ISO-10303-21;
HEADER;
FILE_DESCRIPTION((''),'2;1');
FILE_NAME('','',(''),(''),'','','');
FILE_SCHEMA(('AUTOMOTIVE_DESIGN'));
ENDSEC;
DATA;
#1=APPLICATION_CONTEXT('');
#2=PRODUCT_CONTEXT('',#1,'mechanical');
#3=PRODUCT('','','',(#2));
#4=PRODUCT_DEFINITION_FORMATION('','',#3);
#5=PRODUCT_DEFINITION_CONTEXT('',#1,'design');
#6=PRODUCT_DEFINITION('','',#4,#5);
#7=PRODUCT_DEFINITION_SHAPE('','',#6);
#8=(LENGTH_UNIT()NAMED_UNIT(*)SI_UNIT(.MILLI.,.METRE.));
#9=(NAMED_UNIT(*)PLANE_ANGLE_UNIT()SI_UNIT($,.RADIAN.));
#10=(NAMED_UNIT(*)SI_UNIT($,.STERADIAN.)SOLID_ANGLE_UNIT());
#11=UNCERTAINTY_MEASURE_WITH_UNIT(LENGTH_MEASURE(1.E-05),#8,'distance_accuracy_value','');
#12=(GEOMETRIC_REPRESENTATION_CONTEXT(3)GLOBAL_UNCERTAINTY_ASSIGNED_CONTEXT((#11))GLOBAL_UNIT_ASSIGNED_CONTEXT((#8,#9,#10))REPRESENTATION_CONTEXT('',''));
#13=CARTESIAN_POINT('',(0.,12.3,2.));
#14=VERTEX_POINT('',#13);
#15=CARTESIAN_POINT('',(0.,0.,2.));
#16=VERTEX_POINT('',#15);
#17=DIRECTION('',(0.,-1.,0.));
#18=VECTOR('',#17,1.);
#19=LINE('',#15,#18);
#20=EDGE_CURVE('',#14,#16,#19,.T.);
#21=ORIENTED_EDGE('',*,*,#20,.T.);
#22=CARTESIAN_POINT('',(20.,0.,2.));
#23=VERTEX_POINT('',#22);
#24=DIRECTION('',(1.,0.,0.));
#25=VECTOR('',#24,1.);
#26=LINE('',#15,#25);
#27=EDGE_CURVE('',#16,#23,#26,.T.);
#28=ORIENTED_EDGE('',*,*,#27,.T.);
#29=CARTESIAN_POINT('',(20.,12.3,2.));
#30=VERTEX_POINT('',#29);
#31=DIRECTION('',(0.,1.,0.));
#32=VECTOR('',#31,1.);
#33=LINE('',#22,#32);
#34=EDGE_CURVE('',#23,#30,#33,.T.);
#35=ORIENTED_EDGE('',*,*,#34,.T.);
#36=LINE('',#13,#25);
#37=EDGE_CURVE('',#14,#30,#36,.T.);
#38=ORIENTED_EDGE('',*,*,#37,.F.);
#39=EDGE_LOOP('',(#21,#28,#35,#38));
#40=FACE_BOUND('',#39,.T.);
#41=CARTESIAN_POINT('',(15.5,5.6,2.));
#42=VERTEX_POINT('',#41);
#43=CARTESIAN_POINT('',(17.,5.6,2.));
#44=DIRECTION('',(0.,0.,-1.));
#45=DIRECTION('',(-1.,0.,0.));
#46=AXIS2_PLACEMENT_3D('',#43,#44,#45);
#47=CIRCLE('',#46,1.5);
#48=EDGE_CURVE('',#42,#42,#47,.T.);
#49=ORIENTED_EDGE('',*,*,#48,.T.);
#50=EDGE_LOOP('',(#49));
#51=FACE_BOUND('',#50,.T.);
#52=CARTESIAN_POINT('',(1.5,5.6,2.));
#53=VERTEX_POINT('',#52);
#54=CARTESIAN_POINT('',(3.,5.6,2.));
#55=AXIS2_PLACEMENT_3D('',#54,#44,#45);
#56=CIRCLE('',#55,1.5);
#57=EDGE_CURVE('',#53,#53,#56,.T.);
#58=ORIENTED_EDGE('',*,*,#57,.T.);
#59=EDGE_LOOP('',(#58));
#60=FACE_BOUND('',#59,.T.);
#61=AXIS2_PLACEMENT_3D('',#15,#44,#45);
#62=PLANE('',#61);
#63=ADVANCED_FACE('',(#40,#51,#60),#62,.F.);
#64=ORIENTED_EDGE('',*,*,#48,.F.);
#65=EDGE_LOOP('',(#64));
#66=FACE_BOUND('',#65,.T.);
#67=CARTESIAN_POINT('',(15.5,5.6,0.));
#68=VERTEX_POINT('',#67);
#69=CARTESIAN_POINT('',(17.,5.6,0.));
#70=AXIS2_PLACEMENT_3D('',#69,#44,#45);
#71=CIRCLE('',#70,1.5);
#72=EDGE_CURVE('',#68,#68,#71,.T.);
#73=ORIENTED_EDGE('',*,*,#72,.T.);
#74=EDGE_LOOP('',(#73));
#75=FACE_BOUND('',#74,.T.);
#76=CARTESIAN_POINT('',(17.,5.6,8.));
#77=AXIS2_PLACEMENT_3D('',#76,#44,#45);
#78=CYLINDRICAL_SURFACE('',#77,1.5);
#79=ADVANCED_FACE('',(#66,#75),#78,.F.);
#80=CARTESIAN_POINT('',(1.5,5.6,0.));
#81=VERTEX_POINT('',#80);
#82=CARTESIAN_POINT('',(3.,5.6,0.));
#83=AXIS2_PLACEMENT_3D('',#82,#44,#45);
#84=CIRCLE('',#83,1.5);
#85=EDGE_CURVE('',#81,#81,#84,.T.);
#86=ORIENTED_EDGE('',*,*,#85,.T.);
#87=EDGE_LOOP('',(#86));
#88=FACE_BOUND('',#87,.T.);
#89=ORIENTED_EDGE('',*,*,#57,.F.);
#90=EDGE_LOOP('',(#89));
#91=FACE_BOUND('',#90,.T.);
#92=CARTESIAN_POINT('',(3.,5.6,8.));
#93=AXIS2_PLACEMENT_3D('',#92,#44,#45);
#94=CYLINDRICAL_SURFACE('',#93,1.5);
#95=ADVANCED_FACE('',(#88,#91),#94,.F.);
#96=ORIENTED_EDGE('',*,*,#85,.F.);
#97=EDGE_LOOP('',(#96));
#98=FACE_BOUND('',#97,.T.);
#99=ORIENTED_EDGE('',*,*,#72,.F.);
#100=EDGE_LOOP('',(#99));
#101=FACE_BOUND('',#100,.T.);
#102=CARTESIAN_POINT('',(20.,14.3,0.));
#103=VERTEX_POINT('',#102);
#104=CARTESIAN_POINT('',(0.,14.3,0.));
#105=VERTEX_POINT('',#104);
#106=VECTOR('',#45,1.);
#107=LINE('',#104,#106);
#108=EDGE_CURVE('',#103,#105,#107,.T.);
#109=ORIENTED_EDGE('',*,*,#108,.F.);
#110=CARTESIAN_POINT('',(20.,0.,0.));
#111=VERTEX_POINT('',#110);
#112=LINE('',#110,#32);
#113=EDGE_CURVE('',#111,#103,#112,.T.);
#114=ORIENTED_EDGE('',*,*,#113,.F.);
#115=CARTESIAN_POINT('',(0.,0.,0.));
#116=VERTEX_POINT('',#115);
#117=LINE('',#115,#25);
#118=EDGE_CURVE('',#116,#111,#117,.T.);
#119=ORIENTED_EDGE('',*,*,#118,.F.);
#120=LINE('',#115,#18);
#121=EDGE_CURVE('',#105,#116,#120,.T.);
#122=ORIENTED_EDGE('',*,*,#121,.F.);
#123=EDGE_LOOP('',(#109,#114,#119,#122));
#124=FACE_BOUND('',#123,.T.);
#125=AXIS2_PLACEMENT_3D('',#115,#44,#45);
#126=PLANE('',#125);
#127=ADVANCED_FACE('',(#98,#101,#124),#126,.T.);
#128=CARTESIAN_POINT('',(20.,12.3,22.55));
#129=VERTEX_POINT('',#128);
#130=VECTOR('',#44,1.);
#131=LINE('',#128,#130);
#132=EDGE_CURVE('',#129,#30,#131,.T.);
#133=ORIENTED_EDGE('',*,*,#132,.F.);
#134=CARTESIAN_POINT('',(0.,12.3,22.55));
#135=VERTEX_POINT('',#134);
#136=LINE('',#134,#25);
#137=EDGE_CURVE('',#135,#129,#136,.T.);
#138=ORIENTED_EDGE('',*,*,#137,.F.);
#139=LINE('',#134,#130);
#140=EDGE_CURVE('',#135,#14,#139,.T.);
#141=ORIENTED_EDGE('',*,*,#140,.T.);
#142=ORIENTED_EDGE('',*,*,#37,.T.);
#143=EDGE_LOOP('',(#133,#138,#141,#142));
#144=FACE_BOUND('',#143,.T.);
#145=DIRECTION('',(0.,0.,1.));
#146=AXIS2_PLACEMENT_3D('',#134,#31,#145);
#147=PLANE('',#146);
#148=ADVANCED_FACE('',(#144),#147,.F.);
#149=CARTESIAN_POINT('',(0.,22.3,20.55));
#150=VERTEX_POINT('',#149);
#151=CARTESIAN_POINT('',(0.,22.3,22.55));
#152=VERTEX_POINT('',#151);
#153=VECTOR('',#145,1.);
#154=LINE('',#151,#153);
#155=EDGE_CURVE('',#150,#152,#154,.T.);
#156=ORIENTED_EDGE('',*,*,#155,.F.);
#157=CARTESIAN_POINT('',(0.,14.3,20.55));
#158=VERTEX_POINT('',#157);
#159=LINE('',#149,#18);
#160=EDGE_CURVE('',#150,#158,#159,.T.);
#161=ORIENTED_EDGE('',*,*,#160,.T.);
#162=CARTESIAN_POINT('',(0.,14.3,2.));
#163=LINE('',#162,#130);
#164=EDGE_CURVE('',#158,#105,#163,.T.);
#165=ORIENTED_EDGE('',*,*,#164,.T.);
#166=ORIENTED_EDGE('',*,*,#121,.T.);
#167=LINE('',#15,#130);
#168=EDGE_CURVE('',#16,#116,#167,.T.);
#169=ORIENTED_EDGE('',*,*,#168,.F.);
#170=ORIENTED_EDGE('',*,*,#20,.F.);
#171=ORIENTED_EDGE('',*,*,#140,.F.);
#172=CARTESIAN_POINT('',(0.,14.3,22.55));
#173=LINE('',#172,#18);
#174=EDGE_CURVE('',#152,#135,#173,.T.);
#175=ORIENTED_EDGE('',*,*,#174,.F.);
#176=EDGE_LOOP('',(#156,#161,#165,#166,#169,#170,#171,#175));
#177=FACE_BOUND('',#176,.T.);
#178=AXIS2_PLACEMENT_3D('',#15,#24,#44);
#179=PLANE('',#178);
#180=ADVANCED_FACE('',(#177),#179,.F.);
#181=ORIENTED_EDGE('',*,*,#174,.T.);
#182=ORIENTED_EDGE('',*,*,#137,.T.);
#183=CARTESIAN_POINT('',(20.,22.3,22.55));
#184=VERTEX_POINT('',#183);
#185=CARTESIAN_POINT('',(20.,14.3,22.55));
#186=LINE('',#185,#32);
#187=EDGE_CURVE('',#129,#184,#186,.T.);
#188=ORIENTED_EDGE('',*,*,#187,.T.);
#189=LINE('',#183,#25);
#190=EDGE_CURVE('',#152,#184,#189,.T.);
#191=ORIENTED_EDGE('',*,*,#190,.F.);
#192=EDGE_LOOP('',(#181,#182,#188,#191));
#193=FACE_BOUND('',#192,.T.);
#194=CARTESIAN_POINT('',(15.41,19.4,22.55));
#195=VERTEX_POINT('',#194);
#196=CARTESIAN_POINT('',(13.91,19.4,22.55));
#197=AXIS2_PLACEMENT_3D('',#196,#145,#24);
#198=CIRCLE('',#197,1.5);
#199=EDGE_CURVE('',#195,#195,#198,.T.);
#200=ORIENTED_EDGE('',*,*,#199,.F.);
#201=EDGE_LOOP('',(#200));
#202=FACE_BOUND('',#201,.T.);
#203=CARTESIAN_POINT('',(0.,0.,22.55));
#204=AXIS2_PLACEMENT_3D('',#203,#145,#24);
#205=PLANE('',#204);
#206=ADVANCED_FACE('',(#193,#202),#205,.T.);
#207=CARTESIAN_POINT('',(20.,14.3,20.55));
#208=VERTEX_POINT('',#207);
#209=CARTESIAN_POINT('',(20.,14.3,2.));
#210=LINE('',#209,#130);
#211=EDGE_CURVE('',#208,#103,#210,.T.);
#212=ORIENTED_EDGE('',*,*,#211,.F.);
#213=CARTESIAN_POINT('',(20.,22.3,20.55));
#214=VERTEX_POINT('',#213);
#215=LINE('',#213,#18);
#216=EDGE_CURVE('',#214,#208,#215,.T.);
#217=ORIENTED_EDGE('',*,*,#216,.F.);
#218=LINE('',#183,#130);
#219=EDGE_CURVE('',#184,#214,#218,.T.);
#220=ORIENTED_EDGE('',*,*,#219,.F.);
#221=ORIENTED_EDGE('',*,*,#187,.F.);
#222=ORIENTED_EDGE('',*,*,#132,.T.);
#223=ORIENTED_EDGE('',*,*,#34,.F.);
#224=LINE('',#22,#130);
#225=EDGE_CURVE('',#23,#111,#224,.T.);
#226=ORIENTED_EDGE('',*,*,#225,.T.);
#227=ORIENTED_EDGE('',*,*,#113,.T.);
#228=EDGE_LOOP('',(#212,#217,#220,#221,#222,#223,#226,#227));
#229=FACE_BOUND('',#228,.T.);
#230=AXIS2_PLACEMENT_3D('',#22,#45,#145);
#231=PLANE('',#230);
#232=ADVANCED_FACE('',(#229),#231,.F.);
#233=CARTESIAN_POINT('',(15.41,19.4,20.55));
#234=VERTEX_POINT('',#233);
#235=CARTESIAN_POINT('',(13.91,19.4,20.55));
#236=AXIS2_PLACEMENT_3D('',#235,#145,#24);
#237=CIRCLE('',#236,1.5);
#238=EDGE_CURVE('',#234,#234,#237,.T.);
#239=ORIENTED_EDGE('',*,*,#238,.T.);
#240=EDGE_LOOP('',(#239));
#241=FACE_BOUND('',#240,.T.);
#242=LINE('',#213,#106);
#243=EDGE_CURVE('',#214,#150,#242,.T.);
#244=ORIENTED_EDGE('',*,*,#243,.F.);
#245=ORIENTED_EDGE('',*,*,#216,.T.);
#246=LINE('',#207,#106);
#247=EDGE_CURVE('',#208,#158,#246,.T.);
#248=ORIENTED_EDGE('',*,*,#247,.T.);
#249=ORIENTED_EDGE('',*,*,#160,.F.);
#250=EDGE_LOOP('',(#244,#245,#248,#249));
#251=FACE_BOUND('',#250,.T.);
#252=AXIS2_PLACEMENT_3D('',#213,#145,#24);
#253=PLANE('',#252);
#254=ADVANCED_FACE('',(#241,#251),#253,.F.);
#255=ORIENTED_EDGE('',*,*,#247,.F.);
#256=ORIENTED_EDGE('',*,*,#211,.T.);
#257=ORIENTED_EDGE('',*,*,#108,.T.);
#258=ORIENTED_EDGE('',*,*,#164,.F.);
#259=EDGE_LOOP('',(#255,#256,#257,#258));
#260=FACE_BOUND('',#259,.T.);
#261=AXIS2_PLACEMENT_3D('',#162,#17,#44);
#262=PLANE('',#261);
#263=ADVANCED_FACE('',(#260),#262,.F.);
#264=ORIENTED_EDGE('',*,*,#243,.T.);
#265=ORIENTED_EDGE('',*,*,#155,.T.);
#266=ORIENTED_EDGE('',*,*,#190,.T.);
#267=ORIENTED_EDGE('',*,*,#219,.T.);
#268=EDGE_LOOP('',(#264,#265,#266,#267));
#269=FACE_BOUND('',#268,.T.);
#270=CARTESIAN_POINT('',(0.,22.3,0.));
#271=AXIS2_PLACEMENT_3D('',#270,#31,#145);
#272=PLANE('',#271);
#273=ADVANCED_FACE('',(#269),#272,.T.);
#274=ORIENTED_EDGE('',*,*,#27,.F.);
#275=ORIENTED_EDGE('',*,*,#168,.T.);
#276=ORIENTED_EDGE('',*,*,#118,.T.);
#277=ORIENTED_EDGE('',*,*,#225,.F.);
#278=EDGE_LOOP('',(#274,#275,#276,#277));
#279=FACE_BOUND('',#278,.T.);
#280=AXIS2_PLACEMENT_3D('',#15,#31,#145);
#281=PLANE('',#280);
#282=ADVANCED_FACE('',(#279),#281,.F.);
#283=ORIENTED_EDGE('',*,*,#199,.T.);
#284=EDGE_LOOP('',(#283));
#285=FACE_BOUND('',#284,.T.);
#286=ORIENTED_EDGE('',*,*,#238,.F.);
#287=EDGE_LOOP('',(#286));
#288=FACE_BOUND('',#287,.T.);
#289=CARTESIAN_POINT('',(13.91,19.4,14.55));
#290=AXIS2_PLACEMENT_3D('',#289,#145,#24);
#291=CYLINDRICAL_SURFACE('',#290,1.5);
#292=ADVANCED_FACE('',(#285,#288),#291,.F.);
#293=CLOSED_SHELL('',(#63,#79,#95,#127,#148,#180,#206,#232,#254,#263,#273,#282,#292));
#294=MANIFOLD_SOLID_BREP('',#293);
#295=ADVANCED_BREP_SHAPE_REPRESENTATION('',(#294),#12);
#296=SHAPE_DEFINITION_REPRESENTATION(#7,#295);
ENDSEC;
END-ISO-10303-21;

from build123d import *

# Parameters (mm, degrees)
ESQUISSE1_W             = 20
ESQUISSE1_H             = 14.3
BOSS_EXTRU_1_DEPTH      = 2
ESQUISSE2_W             = 20
ESQUISSE2_H             = 2
BOSS_EXTRU_2_DEPTH      = 20.55
ESQUISSE3_W             = 20
ESQUISSE3_H             = 2
BOSS_EXTRU_3_DEPTH      = 8
ESQUISSE4_R             = 1.5
ENL_V_MAT_EXTRU_2_DEPTH = 8
ESQUISSE5_R             = 1.5
ENL_V_MAT_EXTRU_3_DEPTH = 8


with BuildPart() as part:
    # Esquisse1 → Boss.-Extru.1 (new body)
    with BuildSketch(Plane.XY):
        with Locations((10, 7.15)):
            Rectangle(ESQUISSE1_W, ESQUISSE1_H)
    extrude(amount=BOSS_EXTRU_1_DEPTH)

    # Esquisse2 → Boss.-Extru.2 (add)
    with BuildSketch(Plane.XY.offset(2)):
        with Locations((10, 13.3)):
            Rectangle(ESQUISSE2_W, ESQUISSE2_H)
    extrude(amount=BOSS_EXTRU_2_DEPTH)

    # Esquisse3 → Boss.-Extru.3 (add)
    with BuildSketch(Plane(origin=(0, 14.3, 0), x_dir=(1, 0, 0), z_dir=(0, 1, 0))):
        with Locations((10, -21.55)):
            Rectangle(ESQUISSE3_W, ESQUISSE3_H)
    extrude(amount=BOSS_EXTRU_3_DEPTH)

    # Esquisse4 → Enlèv. mat.-Extru.2 (cut)
    with BuildSketch(Plane(origin=(0, 0, 0), x_dir=(-1, 0, 0), z_dir=(0, 0, -1))):
        with Locations((-17, 5.6)):
            Circle(ESQUISSE4_R)
        with Locations((-3, 5.6)):
            Circle(ESQUISSE4_R)
    extrude(amount=-ENL_V_MAT_EXTRU_2_DEPTH, mode=Mode.SUBTRACT)

    # Esquisse5 → Enlèv. mat.-Extru.3 (cut)
    with BuildSketch(Plane.XY.offset(22.55)):
        with Locations((13.91, 19.4)):
            Circle(ESQUISSE5_R)
    extrude(amount=-ENL_V_MAT_EXTRU_3_DEPTH, mode=Mode.SUBTRACT)


solid = part.part
